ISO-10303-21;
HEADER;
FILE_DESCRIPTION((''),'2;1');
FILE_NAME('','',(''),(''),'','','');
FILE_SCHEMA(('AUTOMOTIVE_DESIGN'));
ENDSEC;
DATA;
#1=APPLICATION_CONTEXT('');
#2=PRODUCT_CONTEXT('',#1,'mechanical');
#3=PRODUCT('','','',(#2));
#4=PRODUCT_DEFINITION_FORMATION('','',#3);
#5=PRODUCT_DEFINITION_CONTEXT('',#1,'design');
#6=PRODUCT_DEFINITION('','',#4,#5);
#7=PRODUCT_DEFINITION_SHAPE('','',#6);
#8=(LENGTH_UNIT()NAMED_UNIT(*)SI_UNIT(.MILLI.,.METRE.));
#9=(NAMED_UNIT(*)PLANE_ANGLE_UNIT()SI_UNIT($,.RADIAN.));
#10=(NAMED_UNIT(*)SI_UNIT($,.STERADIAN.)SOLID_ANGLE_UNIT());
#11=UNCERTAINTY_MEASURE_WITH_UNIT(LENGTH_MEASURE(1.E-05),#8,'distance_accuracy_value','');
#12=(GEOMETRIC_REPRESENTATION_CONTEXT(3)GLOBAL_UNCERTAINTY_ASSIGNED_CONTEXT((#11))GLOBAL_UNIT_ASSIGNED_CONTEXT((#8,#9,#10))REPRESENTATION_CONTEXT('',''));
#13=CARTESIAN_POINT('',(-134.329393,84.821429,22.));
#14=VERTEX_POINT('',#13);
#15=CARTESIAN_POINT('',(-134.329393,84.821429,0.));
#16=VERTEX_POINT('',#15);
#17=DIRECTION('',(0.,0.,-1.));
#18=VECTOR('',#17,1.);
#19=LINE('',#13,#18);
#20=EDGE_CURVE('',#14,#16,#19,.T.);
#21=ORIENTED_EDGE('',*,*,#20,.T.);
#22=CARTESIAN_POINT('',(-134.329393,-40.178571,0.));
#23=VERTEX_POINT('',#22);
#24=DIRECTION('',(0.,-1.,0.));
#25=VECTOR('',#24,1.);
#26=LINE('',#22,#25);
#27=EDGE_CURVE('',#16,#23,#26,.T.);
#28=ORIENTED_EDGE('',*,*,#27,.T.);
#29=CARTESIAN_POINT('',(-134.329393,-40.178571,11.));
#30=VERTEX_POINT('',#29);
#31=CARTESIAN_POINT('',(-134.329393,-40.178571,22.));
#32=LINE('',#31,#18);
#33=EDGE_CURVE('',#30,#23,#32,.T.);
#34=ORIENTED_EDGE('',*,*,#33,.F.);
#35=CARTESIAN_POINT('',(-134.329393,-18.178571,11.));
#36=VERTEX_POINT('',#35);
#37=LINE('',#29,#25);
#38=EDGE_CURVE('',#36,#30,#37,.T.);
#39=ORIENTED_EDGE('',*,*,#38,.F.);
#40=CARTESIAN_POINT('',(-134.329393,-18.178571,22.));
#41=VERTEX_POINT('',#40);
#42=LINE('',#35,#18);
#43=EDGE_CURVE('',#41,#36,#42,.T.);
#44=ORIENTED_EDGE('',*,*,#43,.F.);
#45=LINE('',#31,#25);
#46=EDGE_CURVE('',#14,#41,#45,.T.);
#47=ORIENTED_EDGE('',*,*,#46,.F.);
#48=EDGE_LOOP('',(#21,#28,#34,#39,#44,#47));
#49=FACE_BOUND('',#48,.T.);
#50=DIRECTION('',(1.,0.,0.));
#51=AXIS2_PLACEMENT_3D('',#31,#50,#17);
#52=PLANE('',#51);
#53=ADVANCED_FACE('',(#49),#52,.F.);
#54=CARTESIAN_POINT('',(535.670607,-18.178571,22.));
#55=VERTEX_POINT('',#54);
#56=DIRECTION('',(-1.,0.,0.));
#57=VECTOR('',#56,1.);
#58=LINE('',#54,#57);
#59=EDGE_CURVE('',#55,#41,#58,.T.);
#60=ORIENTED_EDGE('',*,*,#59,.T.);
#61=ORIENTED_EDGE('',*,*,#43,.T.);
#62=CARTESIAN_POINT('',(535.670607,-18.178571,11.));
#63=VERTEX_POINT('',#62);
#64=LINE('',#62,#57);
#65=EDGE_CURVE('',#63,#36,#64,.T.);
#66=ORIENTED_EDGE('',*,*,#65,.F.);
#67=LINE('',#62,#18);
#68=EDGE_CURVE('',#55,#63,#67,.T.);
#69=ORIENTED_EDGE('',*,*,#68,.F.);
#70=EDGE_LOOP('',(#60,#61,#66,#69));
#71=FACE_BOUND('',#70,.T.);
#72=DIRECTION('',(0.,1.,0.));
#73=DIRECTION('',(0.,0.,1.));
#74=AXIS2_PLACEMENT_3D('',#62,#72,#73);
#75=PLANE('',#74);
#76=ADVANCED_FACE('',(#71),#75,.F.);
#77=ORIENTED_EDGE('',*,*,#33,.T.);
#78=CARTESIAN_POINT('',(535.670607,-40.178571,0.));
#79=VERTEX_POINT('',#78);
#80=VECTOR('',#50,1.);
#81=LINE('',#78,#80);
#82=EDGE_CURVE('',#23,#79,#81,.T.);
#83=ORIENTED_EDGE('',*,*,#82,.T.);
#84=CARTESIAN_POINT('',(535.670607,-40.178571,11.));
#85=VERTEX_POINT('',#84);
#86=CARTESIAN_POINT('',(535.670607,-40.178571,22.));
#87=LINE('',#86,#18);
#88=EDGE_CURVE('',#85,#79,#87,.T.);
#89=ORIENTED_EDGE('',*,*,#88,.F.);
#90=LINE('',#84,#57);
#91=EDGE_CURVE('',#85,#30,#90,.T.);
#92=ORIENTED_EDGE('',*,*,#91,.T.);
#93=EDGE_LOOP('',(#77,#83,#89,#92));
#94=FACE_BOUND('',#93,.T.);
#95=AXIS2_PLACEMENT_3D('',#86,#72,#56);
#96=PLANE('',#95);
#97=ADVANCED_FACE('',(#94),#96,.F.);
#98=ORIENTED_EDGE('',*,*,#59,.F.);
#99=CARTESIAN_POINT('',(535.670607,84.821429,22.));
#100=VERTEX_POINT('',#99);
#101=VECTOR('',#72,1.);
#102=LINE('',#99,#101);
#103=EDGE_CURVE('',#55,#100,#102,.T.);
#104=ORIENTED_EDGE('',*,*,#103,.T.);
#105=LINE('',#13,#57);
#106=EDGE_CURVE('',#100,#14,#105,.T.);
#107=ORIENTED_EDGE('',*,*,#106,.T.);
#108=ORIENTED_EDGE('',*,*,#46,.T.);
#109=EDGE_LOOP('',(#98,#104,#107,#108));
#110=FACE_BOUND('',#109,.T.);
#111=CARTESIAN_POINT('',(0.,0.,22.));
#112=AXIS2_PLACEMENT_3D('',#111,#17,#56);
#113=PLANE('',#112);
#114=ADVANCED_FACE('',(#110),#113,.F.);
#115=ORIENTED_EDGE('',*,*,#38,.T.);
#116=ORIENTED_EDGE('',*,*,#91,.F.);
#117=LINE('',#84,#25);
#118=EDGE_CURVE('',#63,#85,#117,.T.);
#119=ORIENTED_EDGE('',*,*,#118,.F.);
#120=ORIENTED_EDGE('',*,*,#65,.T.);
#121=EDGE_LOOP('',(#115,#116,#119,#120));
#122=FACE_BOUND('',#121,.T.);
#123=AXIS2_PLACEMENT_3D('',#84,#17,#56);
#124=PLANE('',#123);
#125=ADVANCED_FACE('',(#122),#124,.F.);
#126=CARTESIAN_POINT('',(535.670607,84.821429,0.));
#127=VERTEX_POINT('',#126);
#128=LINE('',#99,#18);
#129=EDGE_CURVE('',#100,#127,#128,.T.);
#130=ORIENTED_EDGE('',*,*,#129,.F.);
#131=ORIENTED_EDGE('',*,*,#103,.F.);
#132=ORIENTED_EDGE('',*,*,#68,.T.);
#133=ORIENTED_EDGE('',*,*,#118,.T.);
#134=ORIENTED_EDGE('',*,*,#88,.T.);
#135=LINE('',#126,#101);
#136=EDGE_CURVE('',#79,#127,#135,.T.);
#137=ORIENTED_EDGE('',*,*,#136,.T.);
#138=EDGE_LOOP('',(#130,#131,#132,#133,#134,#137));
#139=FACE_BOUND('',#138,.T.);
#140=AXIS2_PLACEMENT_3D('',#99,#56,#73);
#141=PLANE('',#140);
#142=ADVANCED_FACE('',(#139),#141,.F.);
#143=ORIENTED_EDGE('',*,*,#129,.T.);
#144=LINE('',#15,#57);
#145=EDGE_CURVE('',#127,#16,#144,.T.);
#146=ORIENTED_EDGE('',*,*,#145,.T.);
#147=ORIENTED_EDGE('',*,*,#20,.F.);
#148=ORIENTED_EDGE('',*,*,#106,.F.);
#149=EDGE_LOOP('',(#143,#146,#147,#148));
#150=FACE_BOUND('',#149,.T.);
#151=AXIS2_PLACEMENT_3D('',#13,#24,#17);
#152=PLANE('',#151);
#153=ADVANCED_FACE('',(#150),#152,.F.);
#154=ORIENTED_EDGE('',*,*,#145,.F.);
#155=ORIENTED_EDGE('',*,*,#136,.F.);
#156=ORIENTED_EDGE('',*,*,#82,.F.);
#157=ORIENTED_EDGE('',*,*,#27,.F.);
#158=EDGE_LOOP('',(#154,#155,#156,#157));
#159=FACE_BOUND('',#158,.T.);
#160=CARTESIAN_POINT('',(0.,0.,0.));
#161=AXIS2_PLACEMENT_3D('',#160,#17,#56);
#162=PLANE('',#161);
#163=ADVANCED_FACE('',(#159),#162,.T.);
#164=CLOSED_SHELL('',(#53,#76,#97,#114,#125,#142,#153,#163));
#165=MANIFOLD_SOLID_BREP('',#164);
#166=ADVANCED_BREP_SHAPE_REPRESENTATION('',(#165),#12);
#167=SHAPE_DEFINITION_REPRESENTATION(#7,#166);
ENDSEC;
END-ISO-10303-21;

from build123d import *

# Parameters (mm, degrees)
CROQUIS1_W              = 670
CROQUIS1_H              = 125
SALIENTE_EXTRUIR1_DEPTH = 22
CROQUIS2_W              = 11
CROQUIS2_H              = 22
CORTAR_EXTRUIR1_DEPTH   = 676.706056466


with BuildPart() as part:
    # Croquis1 → Saliente-Extruir1 (new body)
    with BuildSketch(Plane.XY):
        with Locations((200.670606996, 22.321428571)):
            Rectangle(CROQUIS1_W, CROQUIS1_H)
    extrude(amount=SALIENTE_EXTRUIR1_DEPTH)

    # Croquis2 → Cortar-Extruir1 (cut, through all)
    with BuildSketch(Plane.ZY.offset(134.329393004)):
        with Locations((16.5, -29.178571429)):
            Rectangle(CROQUIS2_W, CROQUIS2_H)
    extrude(amount=-CORTAR_EXTRUIR1_DEPTH, mode=Mode.SUBTRACT)


solid = part.part
